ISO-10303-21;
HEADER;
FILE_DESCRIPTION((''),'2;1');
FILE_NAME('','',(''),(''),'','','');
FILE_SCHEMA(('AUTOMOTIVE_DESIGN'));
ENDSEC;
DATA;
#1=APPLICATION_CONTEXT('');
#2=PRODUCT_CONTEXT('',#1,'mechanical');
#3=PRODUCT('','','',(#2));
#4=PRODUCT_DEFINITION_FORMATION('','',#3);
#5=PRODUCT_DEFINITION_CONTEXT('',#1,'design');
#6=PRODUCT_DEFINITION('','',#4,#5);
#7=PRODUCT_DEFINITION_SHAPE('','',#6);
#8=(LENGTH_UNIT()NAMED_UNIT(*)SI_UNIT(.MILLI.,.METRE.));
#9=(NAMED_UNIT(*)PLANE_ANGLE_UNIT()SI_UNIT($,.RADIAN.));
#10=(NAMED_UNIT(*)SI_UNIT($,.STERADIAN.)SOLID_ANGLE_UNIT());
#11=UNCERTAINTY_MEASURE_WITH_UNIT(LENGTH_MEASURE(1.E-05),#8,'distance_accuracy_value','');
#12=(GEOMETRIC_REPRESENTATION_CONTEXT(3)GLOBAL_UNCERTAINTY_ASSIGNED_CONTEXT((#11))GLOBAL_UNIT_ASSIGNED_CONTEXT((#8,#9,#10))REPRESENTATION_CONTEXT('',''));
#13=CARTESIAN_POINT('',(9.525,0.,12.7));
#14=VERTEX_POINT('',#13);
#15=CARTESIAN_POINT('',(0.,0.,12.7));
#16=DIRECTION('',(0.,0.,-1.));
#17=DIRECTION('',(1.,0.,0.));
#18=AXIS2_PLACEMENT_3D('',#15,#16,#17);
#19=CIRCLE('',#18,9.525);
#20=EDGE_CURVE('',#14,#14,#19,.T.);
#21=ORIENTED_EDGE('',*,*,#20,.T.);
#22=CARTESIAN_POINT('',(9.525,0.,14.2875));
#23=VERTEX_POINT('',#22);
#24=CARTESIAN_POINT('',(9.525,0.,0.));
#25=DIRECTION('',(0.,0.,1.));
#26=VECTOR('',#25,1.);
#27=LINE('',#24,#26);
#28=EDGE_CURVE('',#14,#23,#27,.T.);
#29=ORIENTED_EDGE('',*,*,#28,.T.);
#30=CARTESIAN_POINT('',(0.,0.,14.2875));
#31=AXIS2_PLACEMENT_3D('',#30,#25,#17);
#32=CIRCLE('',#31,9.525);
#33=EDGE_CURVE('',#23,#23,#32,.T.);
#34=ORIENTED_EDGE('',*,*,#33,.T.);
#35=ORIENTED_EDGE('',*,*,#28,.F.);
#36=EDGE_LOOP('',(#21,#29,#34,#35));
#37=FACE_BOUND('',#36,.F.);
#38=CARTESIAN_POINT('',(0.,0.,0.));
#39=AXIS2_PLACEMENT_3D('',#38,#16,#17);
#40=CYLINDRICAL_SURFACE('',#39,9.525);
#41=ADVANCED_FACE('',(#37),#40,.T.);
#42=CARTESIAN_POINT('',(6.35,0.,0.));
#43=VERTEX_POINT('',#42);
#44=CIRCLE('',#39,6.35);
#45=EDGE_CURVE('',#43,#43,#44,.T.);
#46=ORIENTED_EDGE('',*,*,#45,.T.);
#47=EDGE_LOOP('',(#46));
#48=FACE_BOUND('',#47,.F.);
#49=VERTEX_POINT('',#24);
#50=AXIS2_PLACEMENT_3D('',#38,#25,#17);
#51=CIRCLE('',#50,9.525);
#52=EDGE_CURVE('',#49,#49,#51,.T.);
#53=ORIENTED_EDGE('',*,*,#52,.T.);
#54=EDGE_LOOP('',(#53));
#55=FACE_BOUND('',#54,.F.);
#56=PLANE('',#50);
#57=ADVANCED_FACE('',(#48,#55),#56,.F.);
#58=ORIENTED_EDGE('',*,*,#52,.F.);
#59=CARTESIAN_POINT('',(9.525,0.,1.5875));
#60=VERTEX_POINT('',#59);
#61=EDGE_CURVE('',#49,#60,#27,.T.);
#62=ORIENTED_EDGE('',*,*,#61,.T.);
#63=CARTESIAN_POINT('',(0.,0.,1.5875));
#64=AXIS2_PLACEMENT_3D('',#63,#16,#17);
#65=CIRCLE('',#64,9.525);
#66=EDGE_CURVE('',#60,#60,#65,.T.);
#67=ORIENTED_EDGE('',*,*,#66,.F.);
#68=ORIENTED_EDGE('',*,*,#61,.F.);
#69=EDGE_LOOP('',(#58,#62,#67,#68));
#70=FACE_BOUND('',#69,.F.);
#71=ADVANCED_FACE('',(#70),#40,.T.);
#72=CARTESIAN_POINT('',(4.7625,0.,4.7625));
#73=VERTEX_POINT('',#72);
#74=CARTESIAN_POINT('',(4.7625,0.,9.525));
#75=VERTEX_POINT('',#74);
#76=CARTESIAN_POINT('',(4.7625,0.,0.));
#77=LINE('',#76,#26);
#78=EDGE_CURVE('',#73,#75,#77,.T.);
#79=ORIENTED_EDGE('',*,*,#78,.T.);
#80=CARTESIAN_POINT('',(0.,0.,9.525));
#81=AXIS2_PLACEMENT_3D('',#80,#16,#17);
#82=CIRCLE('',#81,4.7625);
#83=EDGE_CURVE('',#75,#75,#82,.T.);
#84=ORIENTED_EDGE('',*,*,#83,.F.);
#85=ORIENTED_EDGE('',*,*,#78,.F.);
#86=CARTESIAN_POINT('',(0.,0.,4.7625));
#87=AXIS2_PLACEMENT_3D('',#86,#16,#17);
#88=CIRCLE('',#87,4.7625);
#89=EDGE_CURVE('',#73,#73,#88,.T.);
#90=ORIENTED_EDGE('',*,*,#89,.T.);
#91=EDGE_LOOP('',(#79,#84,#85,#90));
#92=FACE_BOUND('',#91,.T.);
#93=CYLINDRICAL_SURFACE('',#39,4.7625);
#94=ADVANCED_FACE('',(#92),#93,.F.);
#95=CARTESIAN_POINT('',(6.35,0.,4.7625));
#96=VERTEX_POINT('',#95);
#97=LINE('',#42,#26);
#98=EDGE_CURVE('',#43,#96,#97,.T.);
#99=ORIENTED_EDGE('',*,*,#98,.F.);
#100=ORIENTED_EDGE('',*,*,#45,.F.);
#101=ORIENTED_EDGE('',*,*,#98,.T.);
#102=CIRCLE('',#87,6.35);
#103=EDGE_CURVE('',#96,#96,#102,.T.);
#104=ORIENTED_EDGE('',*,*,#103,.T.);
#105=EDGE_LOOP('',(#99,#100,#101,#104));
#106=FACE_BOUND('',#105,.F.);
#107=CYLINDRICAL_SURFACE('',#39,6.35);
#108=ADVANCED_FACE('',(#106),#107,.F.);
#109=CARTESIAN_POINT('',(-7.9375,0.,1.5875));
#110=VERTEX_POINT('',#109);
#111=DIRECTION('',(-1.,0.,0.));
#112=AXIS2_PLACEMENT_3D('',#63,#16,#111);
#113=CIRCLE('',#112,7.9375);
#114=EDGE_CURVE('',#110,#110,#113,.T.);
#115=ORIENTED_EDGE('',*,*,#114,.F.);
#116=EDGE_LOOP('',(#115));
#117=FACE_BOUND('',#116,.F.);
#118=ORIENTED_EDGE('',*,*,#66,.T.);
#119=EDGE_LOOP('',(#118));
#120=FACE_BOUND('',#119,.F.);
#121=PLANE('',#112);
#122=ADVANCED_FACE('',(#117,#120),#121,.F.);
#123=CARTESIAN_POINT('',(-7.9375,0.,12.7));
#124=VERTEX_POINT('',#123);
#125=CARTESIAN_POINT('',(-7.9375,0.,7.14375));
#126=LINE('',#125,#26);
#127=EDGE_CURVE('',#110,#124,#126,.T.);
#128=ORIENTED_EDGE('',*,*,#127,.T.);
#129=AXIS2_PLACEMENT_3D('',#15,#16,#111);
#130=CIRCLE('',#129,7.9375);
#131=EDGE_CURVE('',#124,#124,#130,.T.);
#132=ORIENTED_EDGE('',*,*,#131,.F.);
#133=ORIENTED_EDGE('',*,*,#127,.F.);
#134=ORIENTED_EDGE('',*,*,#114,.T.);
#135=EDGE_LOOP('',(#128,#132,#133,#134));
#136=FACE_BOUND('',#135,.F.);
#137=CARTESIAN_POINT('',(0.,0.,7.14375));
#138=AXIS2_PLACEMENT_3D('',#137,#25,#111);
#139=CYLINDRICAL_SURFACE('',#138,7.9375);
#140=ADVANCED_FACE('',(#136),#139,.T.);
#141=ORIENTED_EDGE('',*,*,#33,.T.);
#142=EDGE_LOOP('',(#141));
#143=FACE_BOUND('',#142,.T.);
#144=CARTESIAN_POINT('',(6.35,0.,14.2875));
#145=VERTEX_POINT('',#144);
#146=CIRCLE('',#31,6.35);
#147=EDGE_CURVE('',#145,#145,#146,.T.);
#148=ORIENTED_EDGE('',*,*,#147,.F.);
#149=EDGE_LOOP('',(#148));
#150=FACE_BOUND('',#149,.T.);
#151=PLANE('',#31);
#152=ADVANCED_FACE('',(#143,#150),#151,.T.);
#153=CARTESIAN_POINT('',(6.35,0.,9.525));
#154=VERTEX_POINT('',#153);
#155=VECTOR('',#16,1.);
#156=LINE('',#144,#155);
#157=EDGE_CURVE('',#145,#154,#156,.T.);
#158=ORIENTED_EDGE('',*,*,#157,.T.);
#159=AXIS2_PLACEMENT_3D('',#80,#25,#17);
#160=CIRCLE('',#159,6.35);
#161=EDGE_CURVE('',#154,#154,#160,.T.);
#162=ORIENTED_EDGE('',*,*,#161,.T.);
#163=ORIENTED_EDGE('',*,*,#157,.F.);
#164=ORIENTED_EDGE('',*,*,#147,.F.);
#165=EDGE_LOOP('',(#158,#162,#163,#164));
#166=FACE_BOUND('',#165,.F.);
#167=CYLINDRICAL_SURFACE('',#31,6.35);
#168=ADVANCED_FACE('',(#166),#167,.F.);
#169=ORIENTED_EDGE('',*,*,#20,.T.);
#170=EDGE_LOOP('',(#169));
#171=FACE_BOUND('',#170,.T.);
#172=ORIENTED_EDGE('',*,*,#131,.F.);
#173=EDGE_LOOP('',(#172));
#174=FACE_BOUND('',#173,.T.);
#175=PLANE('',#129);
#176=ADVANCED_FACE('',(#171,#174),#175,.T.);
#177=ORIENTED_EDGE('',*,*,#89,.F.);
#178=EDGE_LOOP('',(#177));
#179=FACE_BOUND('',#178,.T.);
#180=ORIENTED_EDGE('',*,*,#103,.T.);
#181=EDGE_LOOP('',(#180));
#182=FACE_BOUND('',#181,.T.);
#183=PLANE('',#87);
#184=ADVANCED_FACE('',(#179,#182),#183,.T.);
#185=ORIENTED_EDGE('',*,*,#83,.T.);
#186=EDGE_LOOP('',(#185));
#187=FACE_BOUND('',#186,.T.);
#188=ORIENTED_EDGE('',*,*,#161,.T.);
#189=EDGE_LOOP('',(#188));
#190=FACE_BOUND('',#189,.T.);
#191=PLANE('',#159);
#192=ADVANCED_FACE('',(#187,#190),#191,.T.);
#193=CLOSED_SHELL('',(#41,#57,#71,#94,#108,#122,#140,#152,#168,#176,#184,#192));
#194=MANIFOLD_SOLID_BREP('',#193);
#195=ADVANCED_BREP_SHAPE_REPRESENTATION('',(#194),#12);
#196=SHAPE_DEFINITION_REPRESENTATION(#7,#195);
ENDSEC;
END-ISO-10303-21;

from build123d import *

# Parameters (mm, degrees)
F0_R     = 9.525
F0_R_2   = 4.7625
F1_DEPTH = 14.2875
F2_W     = 1.5875
F2_H     = 11.1125
F4_R     = 6.35
F5_DEPTH = 4.7625
F6_R     = 6.35
F7_DEPTH = 4.7625


with BuildPart() as f1:
    # F0 (on Top) → F1 (new body)
    with BuildSketch(Plane.XY):
        Circle(F0_R)
        Circle(F0_R_2, mode=Mode.SUBTRACT)
    extrude(amount=F1_DEPTH)

    # F2 (on Front) → F3 (revolve, cut)
    with BuildSketch(Plane.XZ):
        with Locations((-8.73125, 7.14375)):
            Rectangle(F2_W, F2_H)
    revolve(axis=Axis((0, 0, 0), (0, 0, -1)), mode=Mode.SUBTRACT)

    # F4 (on face) → F5 (cut)
    with BuildSketch(Plane.XY.offset(14.2875)):
        Circle(F4_R)
    extrude(amount=-F5_DEPTH, mode=Mode.SUBTRACT)

    # F6 (on face) → F7 (cut)
    with BuildSketch(Plane(origin=(0, 0, 0), x_dir=(1, 0, 0), z_dir=(0, 0, -1))):
        Circle(F6_R)
    extrude(amount=-F7_DEPTH, mode=Mode.SUBTRACT)


solid = f1.part
